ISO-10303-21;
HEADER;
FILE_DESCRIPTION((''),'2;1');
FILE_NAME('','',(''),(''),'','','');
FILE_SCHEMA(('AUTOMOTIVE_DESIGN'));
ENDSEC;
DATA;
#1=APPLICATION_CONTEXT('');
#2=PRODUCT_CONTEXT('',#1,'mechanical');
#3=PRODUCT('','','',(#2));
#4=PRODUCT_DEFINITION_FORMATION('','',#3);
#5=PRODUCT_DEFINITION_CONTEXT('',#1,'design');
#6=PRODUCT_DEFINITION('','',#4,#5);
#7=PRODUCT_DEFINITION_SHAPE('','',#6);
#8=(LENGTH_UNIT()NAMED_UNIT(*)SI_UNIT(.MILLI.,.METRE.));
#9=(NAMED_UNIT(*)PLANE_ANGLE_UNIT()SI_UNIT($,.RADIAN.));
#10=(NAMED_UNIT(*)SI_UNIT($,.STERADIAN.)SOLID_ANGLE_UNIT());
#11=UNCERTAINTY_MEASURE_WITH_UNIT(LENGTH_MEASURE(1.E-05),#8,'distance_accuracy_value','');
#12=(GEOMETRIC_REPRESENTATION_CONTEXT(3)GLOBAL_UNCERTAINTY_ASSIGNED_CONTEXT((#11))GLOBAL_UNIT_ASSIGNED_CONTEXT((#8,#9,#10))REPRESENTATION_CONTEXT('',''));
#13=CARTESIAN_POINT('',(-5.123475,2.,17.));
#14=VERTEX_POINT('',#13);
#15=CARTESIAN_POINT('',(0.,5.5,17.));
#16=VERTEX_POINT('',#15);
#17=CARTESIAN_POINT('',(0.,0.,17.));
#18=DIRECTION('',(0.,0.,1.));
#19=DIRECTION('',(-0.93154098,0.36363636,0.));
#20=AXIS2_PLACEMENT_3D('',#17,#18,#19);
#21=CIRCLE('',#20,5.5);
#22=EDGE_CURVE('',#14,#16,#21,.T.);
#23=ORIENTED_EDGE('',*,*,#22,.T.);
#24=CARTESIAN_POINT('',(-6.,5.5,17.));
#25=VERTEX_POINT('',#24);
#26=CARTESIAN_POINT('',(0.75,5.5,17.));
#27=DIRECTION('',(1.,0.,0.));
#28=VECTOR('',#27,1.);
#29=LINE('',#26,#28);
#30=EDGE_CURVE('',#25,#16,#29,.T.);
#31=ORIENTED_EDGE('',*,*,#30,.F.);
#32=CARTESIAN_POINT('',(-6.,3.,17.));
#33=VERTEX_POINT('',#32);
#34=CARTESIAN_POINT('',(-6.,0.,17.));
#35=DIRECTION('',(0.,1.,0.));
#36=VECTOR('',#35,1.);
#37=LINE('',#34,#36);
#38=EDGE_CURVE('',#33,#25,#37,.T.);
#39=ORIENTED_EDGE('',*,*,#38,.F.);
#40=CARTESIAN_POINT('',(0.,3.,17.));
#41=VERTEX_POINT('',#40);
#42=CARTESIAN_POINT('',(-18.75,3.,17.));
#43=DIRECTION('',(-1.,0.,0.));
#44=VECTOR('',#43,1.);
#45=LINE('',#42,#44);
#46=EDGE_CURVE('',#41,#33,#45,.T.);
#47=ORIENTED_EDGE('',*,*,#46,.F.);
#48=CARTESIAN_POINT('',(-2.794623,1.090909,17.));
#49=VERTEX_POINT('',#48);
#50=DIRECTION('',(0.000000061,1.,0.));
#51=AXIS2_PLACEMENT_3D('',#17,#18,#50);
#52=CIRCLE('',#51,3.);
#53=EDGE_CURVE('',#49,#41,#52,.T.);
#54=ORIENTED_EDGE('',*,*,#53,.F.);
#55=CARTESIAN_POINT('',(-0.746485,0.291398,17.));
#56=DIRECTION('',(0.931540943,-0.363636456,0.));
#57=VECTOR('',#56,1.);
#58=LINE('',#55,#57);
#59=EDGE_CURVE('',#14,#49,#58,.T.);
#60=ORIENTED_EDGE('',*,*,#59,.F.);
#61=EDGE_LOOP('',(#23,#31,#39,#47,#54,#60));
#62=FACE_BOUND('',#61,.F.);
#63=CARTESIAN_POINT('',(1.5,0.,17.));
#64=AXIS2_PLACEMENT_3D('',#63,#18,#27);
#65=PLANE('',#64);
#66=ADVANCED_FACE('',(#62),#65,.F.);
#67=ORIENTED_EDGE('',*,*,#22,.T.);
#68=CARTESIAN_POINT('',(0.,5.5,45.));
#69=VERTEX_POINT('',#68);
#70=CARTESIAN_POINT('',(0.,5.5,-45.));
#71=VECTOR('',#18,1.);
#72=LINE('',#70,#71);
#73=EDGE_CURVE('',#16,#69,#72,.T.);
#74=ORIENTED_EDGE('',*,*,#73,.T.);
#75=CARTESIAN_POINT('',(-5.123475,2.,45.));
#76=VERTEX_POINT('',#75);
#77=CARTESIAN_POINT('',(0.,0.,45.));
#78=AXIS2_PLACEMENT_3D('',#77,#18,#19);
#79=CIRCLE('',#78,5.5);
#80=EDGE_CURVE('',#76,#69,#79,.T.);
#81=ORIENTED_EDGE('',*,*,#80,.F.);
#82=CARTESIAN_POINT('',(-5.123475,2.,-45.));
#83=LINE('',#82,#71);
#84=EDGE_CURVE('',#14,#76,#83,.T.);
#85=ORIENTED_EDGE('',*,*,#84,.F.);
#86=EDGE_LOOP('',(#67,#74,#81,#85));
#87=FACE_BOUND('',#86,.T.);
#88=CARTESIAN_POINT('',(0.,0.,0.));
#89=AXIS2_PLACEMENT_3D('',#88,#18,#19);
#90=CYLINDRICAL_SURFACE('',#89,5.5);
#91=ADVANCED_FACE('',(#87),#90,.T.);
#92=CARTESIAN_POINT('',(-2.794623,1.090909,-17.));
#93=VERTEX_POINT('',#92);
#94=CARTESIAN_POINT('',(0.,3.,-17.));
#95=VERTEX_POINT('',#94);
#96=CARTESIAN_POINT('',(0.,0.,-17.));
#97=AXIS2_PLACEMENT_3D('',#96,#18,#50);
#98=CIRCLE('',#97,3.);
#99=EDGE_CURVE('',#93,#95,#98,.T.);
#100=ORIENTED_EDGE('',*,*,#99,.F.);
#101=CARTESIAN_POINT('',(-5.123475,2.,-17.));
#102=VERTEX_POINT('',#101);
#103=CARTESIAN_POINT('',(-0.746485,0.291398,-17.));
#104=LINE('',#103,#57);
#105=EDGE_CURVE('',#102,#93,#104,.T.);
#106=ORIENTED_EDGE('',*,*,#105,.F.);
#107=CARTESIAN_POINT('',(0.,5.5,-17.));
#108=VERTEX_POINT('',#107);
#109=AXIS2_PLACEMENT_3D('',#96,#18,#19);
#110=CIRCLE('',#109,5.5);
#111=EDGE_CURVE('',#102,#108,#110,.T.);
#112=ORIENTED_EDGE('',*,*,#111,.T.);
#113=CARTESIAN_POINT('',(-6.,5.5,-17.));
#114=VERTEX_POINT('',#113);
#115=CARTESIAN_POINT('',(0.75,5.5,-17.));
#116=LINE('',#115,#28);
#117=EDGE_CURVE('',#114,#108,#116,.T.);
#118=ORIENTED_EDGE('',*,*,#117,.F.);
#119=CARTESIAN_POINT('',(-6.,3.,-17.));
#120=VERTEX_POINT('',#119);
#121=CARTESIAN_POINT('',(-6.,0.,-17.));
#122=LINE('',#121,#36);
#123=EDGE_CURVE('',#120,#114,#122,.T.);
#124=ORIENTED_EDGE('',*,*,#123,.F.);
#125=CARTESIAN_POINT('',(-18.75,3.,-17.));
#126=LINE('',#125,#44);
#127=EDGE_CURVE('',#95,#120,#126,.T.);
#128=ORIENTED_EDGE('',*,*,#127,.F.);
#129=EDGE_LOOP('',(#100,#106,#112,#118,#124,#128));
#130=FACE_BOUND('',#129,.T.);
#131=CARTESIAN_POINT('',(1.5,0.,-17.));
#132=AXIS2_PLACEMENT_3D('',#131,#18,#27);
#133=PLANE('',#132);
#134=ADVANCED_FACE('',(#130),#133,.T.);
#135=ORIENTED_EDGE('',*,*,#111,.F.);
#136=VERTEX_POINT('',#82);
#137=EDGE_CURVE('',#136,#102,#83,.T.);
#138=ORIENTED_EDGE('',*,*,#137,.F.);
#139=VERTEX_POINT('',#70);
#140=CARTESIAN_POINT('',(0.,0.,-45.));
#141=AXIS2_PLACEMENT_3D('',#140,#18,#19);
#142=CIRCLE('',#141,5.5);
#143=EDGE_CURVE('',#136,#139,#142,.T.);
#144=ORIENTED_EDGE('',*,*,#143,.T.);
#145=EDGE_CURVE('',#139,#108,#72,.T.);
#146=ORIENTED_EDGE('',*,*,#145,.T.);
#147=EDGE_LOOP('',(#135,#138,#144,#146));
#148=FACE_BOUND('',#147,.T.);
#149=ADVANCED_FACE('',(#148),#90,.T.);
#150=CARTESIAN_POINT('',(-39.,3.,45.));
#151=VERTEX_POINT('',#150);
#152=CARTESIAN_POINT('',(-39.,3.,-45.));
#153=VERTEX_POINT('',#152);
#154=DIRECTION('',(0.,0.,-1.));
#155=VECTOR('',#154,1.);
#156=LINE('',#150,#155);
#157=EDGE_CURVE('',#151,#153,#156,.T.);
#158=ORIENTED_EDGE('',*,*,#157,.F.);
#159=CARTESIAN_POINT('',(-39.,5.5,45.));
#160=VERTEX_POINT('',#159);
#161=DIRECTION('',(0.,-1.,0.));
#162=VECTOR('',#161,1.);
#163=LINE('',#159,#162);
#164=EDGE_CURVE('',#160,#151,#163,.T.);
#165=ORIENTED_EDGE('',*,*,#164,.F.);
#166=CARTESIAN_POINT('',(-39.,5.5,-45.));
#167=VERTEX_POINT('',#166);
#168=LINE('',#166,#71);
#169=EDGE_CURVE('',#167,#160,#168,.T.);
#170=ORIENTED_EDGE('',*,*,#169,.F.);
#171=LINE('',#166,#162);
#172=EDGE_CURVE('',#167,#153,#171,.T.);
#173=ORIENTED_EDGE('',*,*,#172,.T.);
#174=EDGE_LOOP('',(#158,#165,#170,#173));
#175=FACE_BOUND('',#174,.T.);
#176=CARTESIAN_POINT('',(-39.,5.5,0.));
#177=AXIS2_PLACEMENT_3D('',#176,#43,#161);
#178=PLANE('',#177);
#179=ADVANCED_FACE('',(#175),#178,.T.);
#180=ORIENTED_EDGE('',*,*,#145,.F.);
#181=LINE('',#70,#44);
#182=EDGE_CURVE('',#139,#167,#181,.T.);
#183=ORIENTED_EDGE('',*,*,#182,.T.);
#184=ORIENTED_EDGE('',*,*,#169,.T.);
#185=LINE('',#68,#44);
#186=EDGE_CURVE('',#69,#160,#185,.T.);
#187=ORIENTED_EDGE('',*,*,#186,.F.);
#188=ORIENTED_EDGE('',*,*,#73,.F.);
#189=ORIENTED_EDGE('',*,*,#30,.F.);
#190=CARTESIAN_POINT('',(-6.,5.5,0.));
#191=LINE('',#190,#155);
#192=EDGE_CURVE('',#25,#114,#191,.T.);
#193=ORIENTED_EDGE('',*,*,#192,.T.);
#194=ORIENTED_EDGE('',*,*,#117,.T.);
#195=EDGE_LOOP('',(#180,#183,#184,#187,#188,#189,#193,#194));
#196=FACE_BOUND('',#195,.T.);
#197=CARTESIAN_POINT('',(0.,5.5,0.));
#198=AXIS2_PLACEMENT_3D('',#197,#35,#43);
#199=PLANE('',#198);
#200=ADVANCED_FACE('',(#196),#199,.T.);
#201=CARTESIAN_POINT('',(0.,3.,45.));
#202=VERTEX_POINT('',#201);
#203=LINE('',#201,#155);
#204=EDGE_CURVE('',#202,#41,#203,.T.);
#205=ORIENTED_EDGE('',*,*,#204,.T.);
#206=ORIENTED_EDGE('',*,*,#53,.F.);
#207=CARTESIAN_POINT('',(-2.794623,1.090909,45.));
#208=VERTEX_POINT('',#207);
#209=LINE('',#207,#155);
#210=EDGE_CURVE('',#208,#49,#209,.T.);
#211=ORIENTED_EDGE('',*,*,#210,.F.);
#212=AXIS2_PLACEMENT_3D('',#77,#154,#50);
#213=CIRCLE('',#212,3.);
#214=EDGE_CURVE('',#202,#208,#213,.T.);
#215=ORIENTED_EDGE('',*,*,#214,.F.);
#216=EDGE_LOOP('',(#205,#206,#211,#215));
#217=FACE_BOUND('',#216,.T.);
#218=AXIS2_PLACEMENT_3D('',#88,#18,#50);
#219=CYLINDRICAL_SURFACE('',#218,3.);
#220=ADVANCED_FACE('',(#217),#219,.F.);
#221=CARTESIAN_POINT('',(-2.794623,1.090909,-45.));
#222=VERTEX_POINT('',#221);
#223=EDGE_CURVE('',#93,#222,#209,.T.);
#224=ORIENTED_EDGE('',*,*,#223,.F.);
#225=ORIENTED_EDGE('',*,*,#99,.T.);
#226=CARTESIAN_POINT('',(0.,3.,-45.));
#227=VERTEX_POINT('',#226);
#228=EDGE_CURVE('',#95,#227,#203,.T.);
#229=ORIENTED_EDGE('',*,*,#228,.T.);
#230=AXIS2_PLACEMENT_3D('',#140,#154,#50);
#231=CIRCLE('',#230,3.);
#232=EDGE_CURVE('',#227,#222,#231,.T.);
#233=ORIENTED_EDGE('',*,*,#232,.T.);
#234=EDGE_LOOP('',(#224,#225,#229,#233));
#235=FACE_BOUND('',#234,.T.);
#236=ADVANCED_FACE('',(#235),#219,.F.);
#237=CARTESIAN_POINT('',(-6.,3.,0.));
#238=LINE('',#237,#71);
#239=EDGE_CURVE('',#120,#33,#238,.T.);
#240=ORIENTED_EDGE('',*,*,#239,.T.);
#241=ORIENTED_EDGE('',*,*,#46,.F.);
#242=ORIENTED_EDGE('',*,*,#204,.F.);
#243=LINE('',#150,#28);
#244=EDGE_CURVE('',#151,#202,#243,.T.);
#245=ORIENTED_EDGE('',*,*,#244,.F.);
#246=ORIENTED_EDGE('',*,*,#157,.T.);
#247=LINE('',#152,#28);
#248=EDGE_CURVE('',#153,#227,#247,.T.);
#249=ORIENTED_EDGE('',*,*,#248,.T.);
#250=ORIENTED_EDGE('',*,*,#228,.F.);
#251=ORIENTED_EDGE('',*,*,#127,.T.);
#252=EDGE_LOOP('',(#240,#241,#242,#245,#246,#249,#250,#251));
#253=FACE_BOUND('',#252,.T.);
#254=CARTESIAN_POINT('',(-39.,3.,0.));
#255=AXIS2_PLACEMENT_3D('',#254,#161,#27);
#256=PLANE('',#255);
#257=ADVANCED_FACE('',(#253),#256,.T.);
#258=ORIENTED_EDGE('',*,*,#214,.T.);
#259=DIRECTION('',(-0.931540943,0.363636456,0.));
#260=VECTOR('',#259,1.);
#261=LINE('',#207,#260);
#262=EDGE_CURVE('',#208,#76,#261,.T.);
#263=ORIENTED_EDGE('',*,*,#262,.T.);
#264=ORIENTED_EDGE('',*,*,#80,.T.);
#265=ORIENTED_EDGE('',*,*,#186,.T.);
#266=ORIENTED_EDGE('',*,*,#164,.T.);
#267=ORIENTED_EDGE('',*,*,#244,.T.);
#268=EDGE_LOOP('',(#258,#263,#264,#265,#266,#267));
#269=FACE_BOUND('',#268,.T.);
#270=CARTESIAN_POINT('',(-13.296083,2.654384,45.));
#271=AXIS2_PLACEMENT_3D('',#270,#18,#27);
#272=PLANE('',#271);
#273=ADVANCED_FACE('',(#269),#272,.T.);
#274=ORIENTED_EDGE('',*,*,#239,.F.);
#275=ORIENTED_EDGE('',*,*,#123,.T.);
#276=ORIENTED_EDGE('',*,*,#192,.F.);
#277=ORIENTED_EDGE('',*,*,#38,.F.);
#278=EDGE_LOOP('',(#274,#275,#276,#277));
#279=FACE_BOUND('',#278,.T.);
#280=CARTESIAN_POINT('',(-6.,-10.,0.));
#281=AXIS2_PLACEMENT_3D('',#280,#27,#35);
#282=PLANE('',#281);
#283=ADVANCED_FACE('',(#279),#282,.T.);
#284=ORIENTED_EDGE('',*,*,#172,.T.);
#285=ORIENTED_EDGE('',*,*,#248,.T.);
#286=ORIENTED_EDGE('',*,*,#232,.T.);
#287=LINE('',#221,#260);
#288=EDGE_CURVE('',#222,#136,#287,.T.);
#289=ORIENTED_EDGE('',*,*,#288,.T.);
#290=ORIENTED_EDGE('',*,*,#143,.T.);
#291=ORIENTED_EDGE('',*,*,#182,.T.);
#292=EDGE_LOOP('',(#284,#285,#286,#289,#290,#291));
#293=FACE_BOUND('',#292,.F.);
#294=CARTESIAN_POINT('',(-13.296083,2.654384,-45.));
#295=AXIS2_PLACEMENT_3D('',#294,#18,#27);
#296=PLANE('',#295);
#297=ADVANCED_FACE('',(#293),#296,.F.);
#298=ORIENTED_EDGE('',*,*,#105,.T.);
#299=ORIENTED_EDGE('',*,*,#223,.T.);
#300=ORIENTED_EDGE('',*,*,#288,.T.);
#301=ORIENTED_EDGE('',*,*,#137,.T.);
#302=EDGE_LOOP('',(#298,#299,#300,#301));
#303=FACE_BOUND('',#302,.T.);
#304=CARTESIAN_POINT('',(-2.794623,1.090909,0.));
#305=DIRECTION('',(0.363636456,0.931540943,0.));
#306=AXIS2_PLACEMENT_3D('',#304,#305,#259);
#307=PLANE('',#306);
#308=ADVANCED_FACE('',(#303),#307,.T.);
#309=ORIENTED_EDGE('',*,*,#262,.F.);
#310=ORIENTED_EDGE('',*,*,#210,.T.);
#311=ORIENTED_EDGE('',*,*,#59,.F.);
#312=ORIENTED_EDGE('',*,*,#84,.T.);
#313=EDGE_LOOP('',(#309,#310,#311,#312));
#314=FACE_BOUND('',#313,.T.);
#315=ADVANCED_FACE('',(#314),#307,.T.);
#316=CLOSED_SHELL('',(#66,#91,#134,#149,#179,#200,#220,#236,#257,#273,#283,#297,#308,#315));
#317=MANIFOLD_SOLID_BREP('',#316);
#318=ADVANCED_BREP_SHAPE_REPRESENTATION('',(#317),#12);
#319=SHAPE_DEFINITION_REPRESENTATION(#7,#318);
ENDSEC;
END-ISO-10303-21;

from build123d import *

# Parameters (mm, degrees)
F1_DEPTH = 45
F2_W     = 15
F2_H     = 20
F3_DEPTH = 17


with BuildPart() as f1:
    # F0 (on Top) → F1 (new body, symmetric)
    with BuildSketch(Plane.XY):
        with BuildLine():
            Line((-2.794623, 1.090909), (-5.123475, 2))
            ThreePointArc((-5.123475, 2), (3.102418, -4.541476), (0, 5.5))
            Line((0, 5.5), (-39, 5.5))
            Line((-39, 5.5), (-39, 3))
            Line((-39, 3), (0, 3))
            ThreePointArc((0, 3), (1.692228, -2.477168), (-2.794623, 1.090909))
        make_face()
    extrude(amount=F1_DEPTH, both=True)

    # F2 (on Top) → F3 (cut, symmetric)
    with BuildSketch(Plane.XY):
        with Locations((1.5, 0)):
            Rectangle(F2_W, F2_H)
    extrude(amount=F3_DEPTH, both=True, mode=Mode.SUBTRACT)


solid = f1.part
